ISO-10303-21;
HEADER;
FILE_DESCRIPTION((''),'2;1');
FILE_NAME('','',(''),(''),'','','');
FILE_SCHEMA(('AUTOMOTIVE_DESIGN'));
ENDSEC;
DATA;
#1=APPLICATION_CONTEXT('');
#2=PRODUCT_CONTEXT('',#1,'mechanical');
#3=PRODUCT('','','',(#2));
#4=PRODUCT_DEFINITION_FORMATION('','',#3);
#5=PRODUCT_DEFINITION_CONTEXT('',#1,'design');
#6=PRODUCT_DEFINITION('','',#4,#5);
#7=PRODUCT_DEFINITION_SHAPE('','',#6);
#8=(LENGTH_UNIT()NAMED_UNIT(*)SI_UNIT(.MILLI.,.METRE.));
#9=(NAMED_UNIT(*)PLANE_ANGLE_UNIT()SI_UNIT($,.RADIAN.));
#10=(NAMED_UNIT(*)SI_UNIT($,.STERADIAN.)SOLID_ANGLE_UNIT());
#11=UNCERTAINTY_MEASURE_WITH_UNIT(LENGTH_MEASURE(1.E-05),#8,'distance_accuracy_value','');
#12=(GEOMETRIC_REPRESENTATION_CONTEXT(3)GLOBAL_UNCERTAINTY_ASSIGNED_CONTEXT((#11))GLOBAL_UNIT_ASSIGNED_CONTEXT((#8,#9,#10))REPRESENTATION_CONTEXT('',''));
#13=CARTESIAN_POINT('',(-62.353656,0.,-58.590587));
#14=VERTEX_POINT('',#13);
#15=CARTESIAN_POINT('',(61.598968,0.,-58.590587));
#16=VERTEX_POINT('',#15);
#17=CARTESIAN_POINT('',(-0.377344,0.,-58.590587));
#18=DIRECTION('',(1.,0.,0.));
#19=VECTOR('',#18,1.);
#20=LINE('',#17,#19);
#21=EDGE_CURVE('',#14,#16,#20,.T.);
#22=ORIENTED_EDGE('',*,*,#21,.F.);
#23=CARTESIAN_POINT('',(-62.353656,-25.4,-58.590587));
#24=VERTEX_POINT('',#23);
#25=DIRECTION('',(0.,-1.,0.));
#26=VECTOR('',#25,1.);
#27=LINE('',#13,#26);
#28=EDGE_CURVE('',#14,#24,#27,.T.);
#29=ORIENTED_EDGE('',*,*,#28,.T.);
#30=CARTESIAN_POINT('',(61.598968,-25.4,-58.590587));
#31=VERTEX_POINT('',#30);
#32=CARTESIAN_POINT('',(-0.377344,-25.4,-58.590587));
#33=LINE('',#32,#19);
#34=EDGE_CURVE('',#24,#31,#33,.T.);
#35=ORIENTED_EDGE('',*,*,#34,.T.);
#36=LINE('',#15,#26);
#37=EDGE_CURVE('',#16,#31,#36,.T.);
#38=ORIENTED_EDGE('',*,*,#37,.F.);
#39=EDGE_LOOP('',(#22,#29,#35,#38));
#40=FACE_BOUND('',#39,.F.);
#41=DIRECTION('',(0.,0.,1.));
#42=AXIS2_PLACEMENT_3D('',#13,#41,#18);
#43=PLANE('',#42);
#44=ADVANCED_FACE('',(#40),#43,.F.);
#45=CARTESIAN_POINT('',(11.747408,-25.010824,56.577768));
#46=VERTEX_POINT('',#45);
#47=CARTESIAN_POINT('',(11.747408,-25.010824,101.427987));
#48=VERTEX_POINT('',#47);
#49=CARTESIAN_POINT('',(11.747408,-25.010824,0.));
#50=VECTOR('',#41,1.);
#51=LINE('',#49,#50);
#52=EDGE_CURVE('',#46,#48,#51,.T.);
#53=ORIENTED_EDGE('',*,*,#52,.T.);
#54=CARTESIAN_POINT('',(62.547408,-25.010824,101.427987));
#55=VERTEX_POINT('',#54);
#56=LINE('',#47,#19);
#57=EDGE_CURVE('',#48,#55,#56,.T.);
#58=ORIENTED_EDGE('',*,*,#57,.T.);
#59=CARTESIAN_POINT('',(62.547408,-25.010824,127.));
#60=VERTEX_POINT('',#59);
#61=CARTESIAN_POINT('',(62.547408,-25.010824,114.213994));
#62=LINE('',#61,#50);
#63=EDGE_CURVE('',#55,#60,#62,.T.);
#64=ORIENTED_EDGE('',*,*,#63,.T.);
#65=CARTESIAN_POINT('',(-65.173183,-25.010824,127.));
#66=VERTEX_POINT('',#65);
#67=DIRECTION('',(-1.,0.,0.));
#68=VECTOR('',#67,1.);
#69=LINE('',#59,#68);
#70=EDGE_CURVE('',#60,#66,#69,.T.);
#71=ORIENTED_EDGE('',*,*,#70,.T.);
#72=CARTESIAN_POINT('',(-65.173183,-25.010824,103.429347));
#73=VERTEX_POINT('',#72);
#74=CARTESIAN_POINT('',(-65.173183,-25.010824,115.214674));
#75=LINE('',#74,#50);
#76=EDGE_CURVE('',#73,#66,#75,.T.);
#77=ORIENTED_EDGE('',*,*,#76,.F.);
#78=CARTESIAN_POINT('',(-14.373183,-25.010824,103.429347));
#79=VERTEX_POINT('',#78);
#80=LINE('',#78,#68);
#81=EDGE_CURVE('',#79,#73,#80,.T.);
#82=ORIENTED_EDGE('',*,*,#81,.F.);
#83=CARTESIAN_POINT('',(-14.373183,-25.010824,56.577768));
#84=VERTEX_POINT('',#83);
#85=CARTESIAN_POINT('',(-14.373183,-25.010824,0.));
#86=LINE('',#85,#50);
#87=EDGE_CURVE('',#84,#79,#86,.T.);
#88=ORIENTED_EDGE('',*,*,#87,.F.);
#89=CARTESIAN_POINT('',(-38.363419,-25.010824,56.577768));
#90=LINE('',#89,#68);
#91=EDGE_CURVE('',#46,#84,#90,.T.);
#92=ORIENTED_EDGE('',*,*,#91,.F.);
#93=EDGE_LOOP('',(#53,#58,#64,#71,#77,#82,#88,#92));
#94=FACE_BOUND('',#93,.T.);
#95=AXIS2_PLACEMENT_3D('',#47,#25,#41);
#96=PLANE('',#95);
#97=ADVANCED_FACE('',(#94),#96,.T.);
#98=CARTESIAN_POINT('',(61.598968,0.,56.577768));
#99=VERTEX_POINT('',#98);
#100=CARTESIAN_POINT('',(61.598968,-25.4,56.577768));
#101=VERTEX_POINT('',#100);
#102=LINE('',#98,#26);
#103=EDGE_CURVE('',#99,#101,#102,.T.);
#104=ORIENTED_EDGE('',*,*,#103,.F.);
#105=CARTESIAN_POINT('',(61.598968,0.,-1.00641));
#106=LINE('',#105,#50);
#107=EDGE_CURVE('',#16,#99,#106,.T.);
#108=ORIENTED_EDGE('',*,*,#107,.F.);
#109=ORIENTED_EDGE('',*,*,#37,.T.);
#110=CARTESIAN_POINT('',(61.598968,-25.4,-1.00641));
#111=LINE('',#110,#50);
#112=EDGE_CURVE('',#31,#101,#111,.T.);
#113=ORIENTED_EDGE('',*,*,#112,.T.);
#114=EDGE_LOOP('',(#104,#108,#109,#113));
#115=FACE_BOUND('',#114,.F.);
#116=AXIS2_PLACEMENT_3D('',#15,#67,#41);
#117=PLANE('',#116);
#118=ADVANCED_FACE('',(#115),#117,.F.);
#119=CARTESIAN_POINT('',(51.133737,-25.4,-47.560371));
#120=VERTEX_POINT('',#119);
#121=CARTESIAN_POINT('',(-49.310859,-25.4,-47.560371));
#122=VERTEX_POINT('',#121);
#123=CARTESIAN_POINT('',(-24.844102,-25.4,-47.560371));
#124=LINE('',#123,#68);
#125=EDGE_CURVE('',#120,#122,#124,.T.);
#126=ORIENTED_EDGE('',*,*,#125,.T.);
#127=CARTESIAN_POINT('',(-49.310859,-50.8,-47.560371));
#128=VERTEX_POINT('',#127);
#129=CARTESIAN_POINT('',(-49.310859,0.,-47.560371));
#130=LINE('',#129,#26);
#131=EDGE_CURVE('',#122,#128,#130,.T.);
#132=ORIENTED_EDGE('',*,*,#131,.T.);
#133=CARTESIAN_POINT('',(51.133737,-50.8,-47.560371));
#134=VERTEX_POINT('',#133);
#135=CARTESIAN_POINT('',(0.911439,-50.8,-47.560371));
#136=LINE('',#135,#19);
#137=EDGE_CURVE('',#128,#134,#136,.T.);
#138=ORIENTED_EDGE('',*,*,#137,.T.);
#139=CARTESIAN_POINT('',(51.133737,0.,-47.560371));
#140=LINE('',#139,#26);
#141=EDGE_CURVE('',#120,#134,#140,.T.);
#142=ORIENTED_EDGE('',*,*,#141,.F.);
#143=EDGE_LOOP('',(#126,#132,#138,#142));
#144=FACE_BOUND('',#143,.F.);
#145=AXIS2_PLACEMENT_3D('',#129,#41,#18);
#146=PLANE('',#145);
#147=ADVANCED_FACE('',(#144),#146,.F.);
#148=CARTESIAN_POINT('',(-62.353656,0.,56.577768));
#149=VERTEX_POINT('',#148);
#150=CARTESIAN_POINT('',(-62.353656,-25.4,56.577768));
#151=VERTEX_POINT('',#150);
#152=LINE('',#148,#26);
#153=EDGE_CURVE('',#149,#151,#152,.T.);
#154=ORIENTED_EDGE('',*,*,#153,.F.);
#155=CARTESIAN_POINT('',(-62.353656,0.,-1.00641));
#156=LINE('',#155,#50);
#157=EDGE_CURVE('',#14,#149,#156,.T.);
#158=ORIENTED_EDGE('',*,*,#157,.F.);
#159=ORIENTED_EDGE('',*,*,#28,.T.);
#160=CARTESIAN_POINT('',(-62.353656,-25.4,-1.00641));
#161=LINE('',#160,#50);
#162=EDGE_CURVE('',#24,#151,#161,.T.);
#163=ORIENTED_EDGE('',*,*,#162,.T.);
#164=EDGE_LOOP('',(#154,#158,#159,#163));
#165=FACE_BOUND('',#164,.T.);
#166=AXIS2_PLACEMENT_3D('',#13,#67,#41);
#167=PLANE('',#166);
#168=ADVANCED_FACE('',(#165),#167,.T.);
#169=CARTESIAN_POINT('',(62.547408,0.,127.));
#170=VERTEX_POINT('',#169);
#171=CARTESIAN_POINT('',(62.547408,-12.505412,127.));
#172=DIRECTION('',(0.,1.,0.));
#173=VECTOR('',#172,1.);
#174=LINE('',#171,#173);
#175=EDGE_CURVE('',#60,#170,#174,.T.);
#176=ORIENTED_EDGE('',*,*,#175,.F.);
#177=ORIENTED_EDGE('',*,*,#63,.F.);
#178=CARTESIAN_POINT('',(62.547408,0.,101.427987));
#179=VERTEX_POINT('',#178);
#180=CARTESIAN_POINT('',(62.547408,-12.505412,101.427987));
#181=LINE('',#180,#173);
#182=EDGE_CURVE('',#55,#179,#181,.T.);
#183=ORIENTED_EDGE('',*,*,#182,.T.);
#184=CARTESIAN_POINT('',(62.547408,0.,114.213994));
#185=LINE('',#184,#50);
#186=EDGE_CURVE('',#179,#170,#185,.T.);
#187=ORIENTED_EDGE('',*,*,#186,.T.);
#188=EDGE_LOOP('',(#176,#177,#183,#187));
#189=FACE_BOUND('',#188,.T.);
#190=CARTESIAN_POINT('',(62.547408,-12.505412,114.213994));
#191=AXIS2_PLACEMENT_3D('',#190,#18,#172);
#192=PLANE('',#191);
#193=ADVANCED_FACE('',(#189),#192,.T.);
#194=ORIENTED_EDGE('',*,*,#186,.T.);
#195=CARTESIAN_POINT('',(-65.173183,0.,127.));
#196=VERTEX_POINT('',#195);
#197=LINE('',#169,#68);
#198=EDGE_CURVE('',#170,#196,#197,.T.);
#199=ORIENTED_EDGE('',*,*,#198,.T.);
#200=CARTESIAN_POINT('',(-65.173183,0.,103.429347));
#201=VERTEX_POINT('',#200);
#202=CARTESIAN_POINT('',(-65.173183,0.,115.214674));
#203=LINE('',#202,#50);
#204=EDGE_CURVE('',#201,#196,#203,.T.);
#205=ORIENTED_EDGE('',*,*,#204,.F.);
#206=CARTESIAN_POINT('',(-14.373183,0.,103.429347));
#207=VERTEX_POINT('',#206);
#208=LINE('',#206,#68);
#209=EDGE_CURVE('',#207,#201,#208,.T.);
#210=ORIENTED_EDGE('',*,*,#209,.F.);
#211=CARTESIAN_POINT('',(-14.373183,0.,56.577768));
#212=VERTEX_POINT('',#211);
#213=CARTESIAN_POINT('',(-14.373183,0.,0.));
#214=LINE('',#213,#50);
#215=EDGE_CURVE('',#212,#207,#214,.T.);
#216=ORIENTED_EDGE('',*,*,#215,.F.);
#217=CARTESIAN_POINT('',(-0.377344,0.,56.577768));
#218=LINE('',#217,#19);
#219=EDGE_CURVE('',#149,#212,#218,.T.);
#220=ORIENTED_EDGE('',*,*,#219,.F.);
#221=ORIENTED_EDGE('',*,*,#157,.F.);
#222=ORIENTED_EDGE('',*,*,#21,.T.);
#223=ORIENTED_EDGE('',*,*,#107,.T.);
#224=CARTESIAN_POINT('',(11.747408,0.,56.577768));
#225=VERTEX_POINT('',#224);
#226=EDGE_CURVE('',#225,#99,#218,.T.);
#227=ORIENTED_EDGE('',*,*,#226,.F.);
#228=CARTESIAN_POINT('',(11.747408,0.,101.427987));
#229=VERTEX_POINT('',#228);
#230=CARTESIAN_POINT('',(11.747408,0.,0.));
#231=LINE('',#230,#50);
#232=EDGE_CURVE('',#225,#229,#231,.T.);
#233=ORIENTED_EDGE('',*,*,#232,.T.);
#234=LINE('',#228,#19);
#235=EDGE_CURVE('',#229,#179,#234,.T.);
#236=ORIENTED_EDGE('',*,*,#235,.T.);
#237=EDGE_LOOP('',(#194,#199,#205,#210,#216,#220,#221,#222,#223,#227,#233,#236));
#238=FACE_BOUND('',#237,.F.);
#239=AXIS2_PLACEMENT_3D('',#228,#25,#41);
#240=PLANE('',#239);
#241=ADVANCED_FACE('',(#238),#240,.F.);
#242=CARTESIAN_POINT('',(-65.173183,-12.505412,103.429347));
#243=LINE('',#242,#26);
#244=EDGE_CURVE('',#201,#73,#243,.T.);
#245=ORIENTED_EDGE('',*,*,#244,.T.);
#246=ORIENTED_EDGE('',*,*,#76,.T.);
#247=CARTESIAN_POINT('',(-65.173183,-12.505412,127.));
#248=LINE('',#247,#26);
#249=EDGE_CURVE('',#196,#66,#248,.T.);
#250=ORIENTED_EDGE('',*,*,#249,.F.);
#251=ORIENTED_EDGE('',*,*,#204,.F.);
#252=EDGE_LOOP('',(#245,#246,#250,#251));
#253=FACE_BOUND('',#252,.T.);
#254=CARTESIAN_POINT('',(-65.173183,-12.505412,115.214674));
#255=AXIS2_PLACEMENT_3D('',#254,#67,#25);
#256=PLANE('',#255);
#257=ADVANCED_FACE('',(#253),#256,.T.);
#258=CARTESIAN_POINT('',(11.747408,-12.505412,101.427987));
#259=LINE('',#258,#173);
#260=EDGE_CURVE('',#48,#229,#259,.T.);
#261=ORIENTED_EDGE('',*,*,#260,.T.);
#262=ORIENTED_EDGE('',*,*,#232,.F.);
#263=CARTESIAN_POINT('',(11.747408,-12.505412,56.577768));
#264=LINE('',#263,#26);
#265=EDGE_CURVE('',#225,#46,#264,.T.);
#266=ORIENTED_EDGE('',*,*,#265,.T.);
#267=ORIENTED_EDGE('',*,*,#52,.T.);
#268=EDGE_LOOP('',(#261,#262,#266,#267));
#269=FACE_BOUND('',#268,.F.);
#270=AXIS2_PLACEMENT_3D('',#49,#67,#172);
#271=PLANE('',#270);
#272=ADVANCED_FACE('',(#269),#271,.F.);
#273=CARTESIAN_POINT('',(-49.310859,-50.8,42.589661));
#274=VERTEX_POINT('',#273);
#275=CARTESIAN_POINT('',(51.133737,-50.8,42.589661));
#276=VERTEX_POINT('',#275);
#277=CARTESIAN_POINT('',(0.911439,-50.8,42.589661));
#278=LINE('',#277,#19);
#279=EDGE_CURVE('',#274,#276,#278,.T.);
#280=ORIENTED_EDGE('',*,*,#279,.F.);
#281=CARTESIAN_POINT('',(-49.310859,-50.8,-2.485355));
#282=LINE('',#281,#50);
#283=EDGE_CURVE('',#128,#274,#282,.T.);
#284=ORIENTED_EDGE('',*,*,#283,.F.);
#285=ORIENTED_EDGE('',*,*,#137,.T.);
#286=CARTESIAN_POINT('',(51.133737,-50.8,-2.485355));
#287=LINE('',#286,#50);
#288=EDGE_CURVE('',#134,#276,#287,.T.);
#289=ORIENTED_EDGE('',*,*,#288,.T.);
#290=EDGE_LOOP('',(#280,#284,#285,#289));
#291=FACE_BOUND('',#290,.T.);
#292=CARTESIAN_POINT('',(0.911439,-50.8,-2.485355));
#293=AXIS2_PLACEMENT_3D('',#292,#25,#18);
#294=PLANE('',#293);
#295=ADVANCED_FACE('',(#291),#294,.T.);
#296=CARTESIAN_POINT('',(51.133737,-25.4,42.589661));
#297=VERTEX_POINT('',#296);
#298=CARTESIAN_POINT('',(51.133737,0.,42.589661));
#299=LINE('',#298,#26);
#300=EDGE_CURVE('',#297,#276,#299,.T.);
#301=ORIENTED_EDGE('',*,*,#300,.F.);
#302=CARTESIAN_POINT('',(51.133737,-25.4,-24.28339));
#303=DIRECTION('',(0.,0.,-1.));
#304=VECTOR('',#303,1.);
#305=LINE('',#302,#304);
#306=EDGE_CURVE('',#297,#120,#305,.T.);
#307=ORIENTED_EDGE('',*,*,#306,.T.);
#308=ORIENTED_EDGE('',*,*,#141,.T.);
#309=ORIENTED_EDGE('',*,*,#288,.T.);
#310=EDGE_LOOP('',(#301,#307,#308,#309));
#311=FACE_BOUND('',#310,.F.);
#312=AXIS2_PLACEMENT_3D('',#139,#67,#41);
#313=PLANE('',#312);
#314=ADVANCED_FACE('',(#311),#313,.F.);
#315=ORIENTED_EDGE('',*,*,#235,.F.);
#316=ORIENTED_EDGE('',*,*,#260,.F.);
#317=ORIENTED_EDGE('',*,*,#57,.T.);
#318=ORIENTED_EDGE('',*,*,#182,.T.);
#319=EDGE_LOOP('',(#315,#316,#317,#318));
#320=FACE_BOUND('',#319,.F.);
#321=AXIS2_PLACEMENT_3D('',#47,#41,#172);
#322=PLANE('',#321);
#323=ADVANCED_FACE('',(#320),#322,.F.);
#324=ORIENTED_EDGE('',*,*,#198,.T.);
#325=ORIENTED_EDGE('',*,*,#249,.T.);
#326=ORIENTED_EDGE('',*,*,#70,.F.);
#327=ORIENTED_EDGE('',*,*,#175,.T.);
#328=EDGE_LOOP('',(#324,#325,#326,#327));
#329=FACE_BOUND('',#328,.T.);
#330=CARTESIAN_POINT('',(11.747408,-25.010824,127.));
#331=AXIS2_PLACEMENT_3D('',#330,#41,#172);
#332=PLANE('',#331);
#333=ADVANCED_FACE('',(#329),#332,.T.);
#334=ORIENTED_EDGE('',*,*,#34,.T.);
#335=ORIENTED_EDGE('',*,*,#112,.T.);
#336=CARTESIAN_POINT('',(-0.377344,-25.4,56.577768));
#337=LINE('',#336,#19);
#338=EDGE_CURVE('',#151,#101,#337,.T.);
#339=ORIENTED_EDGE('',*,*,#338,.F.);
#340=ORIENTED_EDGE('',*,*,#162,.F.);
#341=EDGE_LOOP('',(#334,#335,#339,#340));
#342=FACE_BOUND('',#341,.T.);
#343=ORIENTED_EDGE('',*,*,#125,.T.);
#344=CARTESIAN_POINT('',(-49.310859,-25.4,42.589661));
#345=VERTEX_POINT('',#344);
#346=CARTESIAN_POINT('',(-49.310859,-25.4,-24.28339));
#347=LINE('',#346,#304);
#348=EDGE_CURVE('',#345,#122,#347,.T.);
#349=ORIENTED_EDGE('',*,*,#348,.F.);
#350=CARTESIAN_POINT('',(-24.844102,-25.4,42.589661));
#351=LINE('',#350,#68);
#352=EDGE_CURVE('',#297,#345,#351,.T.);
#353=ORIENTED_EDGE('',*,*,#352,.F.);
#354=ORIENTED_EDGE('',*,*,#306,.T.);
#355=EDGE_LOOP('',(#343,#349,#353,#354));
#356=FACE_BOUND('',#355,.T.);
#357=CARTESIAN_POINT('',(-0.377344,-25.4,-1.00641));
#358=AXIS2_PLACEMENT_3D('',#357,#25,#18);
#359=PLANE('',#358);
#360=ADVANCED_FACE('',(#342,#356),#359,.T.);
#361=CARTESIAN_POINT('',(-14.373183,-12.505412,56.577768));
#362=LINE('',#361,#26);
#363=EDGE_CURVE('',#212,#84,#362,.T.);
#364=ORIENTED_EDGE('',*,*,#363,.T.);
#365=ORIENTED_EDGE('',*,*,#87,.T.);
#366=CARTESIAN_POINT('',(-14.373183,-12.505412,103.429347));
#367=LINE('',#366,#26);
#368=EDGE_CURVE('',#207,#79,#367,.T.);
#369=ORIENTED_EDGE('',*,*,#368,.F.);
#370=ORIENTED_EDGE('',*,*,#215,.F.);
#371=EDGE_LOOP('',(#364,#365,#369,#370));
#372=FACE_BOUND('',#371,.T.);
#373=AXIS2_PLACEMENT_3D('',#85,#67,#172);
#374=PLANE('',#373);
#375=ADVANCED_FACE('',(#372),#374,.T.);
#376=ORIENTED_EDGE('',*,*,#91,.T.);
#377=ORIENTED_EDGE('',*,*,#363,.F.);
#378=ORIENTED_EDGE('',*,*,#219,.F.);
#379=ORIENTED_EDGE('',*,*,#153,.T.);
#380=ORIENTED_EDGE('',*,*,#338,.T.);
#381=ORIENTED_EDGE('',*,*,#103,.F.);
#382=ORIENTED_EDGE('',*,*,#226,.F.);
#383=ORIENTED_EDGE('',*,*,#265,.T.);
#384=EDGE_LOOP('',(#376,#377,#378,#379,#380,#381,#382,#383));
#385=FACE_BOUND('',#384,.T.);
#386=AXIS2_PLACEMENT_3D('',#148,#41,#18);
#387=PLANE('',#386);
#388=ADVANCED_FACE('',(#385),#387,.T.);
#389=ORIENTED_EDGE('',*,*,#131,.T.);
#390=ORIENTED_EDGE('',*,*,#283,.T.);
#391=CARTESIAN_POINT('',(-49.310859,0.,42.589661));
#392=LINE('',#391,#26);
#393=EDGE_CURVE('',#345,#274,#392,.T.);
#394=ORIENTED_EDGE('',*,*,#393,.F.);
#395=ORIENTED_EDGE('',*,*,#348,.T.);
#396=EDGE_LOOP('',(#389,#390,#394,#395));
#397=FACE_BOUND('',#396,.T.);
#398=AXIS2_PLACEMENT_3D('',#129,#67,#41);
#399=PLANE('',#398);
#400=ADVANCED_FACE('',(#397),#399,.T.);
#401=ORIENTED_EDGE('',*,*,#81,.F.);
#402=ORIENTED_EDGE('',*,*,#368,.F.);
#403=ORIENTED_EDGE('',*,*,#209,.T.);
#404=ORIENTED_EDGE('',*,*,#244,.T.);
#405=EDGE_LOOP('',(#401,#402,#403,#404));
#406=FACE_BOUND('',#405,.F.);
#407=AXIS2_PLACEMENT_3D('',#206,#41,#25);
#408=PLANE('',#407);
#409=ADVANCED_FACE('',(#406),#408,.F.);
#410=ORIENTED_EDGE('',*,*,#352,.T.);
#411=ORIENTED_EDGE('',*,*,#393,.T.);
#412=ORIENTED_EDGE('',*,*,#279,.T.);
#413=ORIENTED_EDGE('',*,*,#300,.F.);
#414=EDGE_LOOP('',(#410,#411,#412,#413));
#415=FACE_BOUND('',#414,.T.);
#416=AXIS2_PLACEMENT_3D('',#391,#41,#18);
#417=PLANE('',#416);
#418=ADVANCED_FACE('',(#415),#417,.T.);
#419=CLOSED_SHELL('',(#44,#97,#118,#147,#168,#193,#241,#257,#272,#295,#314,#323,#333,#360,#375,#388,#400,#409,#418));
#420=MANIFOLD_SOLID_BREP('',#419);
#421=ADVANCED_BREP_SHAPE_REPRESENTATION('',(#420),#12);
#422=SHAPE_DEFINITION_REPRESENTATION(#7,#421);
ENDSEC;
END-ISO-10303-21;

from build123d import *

# Parameters (mm, degrees)
F0_W     = 123.9526234567
F0_H     = 115.1683554053
F1_DEPTH = 25.4
F2_W     = 100.4445962608
F2_H     = 90.1500321925
F3_DEPTH = 50.8
F4_W     = 26.1205909774
F4_H     = 25.0108242035
F5_DEPTH = 127
F6_W     = 25.0108242035
F6_H     = 23.5706527233
F7_DEPTH = 50.8
F8_W     = 25.0108242035
F8_H     = 25.5720127821
F9_DEPTH = 50.8


with BuildPart() as f1:
    # F0 (on Front) → F1 (new body)
    with BuildSketch(Plane.XZ):
        with Locations((-0.3773439676, -1.0064095259)):
            Rectangle(F0_W, F0_H)
    extrude(amount=F1_DEPTH)

    # F2 (on Front) → F3 (join)
    with BuildSketch(Plane.XZ):
        with Locations((0.9114388376, -2.4853553623)):
            Rectangle(F2_W, F2_H)
    extrude(amount=F3_DEPTH)

    # F4 (on Top) → F5 (join)
    with BuildSketch(Plane.XY):
        with Locations((-1.3128877617, -12.5054121017)):
            Rectangle(F4_W, F4_H)
    extrude(amount=F5_DEPTH)

    # F6 (on face) → F7 (join)
    with BuildSketch(Plane(origin=(-14.3731832504, 0, 0), x_dir=(0, -1, 0), z_dir=(-1, 0, 0))):
        with Locations((12.5054121017, 115.2146736383)):
            Rectangle(F6_W, F6_H)
    extrude(amount=F7_DEPTH)

    # F8 (on face) → F9 (join)
    with BuildSketch(Plane.YZ.offset(11.7474077269)):
        with Locations((-12.5054121017, 114.213993609)):
            Rectangle(F8_W, F8_H)
    extrude(amount=F9_DEPTH)


solid = f1.part
